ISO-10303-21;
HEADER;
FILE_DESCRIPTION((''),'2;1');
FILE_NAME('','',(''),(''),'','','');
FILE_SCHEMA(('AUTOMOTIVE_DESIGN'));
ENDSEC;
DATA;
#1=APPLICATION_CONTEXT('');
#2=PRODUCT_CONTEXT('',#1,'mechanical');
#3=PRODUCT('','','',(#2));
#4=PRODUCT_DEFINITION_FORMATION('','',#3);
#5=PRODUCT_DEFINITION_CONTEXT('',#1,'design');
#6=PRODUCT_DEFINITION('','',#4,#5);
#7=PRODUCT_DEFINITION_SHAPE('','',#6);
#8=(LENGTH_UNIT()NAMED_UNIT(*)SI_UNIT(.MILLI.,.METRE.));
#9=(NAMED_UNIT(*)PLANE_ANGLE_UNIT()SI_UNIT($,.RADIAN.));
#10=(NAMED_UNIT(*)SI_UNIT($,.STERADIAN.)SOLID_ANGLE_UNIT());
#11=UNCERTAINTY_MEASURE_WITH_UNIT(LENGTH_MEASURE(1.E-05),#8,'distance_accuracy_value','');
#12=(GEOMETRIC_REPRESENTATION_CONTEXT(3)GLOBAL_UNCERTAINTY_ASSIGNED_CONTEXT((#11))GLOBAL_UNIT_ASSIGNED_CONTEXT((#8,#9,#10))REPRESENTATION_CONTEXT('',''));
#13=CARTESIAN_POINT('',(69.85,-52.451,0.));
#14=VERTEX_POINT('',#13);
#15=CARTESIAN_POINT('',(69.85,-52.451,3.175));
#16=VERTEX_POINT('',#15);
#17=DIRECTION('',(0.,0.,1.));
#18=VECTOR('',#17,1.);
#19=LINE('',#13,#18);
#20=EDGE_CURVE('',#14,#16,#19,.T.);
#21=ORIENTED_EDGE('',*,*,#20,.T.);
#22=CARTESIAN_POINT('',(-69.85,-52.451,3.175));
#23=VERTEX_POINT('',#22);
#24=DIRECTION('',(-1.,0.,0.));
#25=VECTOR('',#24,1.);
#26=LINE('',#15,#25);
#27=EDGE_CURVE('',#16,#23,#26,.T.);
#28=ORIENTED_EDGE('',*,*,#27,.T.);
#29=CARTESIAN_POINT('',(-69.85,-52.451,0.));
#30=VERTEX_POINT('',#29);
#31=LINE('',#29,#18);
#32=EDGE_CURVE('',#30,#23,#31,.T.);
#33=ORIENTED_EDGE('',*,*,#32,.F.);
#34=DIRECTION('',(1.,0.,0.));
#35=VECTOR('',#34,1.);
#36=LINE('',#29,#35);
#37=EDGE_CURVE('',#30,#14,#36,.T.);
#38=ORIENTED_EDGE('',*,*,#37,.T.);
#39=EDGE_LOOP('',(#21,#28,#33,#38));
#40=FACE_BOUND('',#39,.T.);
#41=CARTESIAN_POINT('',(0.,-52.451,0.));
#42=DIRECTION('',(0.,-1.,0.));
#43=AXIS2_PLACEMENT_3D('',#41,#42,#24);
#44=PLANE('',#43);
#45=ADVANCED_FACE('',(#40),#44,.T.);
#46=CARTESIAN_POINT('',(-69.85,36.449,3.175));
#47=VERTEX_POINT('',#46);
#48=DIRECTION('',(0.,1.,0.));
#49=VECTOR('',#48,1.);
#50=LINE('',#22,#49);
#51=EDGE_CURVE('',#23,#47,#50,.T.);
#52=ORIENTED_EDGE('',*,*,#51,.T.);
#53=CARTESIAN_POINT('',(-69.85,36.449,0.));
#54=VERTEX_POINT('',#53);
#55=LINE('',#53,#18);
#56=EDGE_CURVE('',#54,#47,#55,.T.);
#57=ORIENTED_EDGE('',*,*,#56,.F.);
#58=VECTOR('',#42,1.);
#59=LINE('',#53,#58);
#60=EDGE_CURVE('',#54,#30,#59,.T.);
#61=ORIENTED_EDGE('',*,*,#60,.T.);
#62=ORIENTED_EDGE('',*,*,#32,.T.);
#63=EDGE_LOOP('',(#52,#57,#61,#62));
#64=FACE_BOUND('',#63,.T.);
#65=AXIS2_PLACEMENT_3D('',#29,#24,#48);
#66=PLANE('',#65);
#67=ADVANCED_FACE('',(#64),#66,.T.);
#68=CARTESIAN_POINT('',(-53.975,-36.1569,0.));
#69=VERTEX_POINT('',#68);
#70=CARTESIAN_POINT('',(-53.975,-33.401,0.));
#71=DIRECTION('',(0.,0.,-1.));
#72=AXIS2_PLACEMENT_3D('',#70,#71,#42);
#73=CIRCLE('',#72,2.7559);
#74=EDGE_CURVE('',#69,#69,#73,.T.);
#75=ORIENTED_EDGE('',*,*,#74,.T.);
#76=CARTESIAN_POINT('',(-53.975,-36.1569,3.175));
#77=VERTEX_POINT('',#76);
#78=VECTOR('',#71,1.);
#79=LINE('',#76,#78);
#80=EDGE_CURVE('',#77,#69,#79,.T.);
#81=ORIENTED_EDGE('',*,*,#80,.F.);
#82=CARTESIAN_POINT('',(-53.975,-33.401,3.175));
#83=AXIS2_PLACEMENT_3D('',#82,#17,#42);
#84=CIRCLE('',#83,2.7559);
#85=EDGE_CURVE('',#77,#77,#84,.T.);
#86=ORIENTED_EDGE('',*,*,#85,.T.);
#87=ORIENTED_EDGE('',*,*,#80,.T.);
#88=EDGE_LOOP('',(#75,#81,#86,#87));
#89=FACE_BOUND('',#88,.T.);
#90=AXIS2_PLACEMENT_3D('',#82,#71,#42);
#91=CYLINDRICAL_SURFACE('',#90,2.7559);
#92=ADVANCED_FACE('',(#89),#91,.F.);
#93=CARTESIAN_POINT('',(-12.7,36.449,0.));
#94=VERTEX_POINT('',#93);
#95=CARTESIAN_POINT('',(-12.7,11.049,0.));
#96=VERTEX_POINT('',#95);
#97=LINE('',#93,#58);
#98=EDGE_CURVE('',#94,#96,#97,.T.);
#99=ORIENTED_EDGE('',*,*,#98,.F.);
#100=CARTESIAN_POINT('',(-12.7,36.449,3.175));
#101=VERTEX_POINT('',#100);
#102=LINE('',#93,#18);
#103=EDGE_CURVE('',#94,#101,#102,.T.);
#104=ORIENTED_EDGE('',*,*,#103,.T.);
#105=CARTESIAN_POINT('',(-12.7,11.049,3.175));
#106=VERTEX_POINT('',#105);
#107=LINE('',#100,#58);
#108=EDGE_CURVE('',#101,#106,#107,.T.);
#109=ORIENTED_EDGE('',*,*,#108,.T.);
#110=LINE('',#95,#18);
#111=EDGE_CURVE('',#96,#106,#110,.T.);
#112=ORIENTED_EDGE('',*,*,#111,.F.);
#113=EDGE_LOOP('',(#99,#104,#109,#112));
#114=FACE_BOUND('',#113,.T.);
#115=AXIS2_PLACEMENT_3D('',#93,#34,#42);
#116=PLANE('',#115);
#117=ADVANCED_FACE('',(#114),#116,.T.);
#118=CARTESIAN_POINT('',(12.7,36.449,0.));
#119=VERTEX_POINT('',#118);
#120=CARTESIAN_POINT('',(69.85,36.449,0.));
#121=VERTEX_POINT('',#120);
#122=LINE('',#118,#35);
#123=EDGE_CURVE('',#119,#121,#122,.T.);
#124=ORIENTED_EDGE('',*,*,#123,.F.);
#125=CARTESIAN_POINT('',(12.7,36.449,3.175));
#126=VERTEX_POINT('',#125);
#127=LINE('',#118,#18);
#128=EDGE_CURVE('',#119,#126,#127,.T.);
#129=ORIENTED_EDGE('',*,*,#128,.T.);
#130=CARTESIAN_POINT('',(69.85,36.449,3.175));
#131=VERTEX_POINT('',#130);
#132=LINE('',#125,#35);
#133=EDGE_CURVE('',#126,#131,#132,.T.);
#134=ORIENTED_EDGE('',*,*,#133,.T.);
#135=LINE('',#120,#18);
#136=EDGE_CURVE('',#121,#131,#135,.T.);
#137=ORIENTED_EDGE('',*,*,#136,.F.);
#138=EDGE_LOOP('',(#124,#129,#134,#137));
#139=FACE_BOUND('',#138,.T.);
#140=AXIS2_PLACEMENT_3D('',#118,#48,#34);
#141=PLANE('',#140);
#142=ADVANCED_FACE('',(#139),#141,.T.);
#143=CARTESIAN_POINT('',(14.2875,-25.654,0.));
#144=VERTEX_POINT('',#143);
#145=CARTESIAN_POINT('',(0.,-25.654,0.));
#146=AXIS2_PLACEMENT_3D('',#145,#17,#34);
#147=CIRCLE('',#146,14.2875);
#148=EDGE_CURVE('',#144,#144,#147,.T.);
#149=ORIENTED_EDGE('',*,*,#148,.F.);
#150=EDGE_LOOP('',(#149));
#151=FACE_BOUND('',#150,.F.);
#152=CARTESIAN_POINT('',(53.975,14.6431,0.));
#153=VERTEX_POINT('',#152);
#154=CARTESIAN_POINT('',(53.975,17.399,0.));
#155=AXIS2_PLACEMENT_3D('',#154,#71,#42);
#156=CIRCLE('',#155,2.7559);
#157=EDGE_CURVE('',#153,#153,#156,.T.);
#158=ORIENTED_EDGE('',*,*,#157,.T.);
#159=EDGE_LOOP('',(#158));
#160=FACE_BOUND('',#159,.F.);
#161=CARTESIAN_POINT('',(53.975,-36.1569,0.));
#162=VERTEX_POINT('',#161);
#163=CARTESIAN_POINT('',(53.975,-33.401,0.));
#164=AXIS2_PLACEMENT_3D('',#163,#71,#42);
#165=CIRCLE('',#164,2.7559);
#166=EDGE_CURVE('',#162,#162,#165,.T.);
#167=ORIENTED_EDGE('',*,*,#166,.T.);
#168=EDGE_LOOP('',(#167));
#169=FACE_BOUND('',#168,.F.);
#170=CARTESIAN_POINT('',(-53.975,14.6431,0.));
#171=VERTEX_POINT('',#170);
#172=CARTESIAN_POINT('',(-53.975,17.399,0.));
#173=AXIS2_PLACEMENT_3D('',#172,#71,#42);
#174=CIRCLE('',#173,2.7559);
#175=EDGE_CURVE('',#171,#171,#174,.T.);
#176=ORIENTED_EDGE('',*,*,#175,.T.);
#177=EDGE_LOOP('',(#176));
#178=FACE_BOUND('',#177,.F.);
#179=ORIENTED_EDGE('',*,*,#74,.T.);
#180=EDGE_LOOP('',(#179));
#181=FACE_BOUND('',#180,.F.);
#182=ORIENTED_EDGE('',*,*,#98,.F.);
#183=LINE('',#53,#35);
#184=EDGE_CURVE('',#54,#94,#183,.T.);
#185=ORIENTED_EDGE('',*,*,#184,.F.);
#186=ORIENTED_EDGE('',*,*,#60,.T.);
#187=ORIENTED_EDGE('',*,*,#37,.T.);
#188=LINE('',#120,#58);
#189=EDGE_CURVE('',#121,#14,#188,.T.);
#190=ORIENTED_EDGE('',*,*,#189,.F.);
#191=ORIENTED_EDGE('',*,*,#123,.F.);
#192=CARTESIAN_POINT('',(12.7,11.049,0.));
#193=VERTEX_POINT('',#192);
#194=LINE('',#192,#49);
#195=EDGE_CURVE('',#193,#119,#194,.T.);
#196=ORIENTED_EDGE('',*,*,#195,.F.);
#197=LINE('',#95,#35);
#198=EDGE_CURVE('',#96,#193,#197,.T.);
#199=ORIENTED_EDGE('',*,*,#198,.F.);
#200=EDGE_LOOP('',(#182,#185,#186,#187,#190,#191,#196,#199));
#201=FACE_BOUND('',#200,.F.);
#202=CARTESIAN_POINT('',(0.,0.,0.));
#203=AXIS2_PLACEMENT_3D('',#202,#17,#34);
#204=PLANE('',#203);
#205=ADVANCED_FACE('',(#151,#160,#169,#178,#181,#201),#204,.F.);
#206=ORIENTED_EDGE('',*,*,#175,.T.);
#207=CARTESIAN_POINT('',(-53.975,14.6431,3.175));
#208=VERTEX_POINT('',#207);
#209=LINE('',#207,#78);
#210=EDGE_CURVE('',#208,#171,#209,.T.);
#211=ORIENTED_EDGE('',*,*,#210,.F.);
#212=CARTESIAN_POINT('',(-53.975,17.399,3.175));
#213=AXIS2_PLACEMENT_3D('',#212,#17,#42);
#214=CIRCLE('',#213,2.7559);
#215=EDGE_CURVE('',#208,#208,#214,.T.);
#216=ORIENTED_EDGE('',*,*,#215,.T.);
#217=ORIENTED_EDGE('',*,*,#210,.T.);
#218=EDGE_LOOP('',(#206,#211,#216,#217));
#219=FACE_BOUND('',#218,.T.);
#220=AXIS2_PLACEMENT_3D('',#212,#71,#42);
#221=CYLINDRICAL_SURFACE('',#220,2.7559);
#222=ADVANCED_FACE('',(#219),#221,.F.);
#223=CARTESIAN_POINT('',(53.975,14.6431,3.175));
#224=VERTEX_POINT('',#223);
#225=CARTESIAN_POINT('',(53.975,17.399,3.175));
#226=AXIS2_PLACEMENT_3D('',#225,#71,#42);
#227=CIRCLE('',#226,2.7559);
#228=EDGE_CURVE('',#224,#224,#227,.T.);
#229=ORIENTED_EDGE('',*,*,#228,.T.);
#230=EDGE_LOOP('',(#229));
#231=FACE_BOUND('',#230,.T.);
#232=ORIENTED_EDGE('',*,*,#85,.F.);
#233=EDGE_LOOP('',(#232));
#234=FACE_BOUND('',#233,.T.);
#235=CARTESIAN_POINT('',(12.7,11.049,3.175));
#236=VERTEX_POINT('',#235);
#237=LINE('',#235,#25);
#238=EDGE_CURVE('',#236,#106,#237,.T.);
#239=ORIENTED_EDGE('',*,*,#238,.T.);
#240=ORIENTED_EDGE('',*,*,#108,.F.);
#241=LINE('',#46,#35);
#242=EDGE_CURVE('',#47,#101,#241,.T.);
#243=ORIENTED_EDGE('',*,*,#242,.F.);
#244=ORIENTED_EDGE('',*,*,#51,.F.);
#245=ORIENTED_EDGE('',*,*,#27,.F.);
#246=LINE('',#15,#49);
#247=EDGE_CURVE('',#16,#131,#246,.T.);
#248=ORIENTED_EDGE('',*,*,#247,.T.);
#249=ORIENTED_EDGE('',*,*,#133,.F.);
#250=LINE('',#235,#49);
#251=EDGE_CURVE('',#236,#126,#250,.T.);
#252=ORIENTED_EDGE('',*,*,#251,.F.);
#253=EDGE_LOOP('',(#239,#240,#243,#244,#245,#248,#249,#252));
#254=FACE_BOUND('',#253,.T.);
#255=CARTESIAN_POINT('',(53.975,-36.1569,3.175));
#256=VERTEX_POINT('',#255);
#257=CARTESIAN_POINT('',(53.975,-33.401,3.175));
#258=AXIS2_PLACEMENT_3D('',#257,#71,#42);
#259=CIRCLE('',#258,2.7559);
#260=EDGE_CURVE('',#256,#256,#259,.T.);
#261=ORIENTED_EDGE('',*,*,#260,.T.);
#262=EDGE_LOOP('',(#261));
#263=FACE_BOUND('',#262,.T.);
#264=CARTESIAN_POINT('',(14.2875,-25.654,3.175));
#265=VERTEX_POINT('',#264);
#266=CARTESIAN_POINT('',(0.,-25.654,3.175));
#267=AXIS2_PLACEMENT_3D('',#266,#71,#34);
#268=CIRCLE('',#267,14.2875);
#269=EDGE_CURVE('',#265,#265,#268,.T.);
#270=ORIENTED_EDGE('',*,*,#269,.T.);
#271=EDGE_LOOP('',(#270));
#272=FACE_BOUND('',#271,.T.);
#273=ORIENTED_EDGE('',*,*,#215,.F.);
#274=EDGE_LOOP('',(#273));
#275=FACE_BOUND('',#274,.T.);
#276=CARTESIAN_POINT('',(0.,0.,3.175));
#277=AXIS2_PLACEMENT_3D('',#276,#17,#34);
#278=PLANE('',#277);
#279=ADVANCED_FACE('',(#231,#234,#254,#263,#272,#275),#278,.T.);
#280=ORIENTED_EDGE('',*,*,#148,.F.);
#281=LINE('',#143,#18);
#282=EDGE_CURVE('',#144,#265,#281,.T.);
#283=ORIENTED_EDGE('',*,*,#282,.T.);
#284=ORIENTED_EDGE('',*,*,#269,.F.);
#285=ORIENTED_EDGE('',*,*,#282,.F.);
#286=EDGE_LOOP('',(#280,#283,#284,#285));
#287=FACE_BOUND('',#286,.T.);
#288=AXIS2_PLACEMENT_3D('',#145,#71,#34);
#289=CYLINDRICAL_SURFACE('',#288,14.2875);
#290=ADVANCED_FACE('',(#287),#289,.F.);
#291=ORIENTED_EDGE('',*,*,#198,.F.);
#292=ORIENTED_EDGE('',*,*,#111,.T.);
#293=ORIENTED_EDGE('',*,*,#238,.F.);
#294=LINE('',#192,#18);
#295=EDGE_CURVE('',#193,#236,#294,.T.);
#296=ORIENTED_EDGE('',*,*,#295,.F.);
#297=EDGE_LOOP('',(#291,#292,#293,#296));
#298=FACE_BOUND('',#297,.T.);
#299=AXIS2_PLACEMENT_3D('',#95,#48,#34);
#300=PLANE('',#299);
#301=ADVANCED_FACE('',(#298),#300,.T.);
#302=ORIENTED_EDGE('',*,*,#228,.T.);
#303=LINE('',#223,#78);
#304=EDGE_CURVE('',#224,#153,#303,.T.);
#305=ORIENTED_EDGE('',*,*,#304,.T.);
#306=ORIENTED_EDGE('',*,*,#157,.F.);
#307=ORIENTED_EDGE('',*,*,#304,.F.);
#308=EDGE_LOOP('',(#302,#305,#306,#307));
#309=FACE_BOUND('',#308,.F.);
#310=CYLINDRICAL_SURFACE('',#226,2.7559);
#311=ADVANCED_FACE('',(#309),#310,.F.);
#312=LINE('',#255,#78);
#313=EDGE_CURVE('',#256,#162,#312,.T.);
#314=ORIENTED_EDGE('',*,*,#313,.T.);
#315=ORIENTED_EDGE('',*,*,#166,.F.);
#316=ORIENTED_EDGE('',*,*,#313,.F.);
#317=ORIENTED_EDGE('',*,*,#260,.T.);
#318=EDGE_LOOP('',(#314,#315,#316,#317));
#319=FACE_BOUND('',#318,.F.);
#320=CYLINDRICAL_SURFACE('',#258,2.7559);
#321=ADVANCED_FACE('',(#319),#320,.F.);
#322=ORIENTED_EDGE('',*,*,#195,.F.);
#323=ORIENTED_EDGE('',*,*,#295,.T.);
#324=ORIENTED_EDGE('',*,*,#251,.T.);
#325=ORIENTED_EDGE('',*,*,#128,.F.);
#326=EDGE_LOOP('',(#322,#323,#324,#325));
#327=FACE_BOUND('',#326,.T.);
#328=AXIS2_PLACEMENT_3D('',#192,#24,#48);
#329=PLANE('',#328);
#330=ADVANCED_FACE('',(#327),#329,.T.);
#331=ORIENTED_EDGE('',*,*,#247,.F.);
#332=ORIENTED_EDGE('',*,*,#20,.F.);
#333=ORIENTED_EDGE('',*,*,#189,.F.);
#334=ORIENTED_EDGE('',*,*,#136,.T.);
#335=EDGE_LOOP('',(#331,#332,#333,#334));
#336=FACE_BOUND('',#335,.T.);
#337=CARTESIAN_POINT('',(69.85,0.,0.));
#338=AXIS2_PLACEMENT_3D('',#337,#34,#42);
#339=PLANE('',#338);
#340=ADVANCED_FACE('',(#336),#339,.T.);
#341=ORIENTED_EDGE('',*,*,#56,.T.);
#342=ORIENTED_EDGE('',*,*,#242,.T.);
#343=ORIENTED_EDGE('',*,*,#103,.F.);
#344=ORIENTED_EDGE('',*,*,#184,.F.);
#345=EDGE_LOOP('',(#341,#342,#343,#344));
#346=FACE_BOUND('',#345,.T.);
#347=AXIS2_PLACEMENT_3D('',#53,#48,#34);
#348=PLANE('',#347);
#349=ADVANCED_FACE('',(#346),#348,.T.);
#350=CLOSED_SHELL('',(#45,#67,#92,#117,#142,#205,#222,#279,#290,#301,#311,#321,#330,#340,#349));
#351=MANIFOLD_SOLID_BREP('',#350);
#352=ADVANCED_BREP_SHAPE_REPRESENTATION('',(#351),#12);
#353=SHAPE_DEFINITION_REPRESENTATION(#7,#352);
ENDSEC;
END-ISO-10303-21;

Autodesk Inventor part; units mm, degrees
ref_plane "YZ Plane" through (0, 0, 0) normal (1, 0, 0) x (0, 1, 0)
ref_plane "XZ Plane" through (0, 0, 0) normal (0, 1, 0) x (-1, 0, 0)
ref_plane "XY Plane" through (0, 0, 0) normal (0, 0, 1) x (1, 0, 0)
sketch "Sketch1" plane through (0, 0, 0) normal (0, 0, 1) x (1, 0, 0)
  line L0 (0, -70.231) -> (0, 54.229) projected
  line L1 (69.85, 36.449) -> (69.85, -52.451)
  line L2 (69.85, -52.451) -> (-69.85, -52.451)
  line L3 (-69.85, -52.451) -> (-69.85, 36.449)
  line L4 (-97.79, 0) -> (97.79, 0) projected
  line L5 (-12.7, 36.449) -> (-12.7, 11.049)
  line L6 (-12.7, 11.049) -> (12.7, 11.049)
  line L7 (12.7, 11.049) -> (12.7, 36.449)
  line L8 (-69.85, 36.449) -> (-12.7, 36.449)
  line L9 (12.7, 36.449) -> (69.85, 36.449)
  line L10 (0, -52.451) -> (0, -25.654)
  circle A0 centre (0, -25.654) radius 14.2875
  point P0 (0, 0)
  dimension "d0" = 139.7
  dimension "d1" = 88.9
  dimension "d2" = 25.4
  dimension "d3" = 25.4
  dimension "d5" = 28.575
  dimension "d21" = 62.103
extrude "Extrusion1" add sketch "Sketch1" along normal blind 3.175 contours L2 L3 L4 L0 A0 | L0 A0 L4 L1 L2 | L4 L0 L6 L7 L9 L1 | L3 L8 L5 L6 L0 L4
sketch "Sketch2" plane through (0, 0, 3.175) normal (0, 0, 1) x (1, 0, 0)
  line L0 (69.85, -52.451) -> (69.85, 36.449) projected
  line L1 (-69.85, -52.451) -> (69.85, -52.451) projected
  line L2 (69.85, 36.449) -> (12.7, 36.449) projected
  point P0 (0, 0)
  point P1 (53.975, 17.399)
  point P2 (53.975, -33.401)
  point P3 (53.975, 38.643)
  dimension "d16" = 15.875
  dimension "d18" = 19.05
  dimension "d20" = 19.05
hole "Hole1" at (53.975, 17.399, 3.175) at (53.975, -33.401, 3.175) direction (0, 0, -1) diameter 5.5118 end through all clearance for "Flat Head Machine Screw" size "M5" standard "Ansi Metric M Profile"
mirror "Mirror1" about plane through (0, 0, 0) normal (1, 0, 0) of "Hole1"
sketch "Sketch3" plane through (0, 0, 3.175) normal (0, 0, 1) x (1, 0, 0)
  point P0 (0, 0)
equation "\"d20\" = d18"
properties part number "DIFF_PLATE_ROD"
